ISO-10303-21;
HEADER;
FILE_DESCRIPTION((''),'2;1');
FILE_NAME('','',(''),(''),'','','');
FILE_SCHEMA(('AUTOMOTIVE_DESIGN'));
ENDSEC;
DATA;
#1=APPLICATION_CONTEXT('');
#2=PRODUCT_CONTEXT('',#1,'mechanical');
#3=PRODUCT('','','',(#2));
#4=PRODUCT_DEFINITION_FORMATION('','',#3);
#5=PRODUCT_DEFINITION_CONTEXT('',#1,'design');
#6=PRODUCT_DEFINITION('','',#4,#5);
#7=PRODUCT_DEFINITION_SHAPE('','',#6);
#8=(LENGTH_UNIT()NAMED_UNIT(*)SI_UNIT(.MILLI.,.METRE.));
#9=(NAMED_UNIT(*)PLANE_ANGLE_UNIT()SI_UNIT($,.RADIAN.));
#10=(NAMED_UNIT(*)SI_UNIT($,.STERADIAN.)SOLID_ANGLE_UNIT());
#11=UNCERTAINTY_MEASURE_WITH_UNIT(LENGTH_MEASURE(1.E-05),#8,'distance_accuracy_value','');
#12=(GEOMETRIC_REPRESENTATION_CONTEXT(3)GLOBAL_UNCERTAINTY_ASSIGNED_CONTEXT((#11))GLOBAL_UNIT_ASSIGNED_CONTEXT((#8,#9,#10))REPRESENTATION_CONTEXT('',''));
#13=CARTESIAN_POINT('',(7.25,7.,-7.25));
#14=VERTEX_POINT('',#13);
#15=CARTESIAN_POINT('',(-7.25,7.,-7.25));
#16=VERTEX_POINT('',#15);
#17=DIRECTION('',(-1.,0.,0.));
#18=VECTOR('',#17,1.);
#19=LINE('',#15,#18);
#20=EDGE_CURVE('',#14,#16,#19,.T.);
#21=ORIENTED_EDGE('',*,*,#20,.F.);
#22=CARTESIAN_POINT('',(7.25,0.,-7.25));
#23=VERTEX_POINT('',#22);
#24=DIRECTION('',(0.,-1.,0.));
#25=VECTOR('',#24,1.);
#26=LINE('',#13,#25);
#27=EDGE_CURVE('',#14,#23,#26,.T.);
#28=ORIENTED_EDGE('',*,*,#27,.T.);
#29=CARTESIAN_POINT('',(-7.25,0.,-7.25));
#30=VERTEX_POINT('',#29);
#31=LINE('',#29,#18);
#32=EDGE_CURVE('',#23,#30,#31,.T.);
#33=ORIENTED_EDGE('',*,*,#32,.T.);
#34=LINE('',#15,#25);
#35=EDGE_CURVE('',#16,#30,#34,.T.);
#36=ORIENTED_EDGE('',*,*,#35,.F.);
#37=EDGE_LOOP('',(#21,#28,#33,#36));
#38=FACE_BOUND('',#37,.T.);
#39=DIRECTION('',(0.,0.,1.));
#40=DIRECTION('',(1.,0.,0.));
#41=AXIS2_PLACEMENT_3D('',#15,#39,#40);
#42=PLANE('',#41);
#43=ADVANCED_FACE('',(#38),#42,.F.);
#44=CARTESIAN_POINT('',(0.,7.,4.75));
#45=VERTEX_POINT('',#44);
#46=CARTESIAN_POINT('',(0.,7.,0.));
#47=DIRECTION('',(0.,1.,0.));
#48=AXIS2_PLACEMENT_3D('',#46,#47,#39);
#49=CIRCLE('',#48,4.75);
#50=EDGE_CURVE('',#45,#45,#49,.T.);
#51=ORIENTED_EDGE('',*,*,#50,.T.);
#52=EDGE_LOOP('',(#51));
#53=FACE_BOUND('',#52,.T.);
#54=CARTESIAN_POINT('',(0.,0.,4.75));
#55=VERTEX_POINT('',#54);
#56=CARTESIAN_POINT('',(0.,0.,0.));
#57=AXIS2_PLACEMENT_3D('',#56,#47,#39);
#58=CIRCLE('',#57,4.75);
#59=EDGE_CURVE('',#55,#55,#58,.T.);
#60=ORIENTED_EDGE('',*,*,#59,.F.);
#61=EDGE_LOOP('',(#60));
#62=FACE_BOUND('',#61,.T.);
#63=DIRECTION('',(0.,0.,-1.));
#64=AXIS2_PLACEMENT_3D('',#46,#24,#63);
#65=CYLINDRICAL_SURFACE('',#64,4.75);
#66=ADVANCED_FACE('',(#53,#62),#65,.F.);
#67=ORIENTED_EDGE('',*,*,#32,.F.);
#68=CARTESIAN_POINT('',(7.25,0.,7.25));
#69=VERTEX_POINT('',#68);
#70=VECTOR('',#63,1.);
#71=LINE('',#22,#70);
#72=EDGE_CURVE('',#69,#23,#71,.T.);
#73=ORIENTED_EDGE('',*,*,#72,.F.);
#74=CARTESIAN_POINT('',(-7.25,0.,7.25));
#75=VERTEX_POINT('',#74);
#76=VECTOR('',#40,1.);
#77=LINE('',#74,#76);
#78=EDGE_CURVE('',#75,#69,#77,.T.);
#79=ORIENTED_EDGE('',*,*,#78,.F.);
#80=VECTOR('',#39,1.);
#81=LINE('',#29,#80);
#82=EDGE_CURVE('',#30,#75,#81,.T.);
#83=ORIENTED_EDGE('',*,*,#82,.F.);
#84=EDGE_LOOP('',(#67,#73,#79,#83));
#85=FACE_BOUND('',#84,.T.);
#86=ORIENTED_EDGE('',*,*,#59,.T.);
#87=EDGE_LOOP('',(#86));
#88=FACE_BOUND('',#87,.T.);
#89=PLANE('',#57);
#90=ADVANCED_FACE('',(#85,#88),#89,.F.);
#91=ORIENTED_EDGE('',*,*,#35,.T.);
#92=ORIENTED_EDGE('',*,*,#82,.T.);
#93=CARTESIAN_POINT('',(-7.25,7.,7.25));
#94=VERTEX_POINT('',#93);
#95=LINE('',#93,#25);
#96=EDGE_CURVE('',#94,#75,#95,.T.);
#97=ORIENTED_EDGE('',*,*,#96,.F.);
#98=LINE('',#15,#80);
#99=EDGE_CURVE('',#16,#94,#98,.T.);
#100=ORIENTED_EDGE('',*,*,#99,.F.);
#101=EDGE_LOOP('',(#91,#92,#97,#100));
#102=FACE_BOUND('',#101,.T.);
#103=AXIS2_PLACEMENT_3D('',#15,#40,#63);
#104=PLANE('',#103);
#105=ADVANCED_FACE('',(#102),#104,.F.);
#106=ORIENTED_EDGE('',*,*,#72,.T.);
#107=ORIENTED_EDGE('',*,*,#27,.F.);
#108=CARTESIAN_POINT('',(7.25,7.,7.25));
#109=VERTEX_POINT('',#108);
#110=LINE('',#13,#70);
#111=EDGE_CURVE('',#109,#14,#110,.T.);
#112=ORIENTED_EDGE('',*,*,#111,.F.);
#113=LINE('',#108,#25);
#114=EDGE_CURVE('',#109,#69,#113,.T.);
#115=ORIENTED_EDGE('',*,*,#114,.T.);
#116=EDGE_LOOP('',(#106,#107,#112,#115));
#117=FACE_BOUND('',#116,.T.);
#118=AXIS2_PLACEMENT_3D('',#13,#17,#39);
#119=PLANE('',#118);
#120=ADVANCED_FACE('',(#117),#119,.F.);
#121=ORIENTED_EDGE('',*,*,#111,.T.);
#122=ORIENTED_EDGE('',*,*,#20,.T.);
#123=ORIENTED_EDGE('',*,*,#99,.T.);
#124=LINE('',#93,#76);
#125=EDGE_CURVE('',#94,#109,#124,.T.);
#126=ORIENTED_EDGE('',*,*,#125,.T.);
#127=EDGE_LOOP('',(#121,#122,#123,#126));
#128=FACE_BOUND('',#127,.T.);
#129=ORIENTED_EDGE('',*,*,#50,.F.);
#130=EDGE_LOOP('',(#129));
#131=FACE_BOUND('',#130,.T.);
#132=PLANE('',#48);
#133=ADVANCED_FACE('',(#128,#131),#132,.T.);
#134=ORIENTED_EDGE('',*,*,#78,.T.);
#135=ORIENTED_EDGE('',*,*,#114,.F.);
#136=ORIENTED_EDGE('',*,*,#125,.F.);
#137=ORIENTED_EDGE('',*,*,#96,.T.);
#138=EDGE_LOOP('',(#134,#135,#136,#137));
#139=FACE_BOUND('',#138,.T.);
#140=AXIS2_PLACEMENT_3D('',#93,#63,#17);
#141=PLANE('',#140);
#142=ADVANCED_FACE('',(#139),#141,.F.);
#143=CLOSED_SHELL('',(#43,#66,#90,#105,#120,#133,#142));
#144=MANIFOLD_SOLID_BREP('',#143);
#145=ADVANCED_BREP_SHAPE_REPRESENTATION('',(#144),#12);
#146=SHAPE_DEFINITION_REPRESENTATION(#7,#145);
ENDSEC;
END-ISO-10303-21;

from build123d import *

# Parameters (mm, degrees)
SKETCH1_W           = 14.5
SKETCH1_H           = 14.5
SKETCH1_R           = 4.75
BOSS_EXTRUDE1_DEPTH = 7


with BuildPart() as part:
    # Sketch1 → Boss-Extrude1 (new body)
    with BuildSketch(Plane(origin=(0, 0, 0), x_dir=(1, 0, 0), z_dir=(0, 1, 0))):
        Rectangle(SKETCH1_W, SKETCH1_H)
        Circle(SKETCH1_R, mode=Mode.SUBTRACT)
    extrude(amount=BOSS_EXTRUDE1_DEPTH)


solid = part.part
